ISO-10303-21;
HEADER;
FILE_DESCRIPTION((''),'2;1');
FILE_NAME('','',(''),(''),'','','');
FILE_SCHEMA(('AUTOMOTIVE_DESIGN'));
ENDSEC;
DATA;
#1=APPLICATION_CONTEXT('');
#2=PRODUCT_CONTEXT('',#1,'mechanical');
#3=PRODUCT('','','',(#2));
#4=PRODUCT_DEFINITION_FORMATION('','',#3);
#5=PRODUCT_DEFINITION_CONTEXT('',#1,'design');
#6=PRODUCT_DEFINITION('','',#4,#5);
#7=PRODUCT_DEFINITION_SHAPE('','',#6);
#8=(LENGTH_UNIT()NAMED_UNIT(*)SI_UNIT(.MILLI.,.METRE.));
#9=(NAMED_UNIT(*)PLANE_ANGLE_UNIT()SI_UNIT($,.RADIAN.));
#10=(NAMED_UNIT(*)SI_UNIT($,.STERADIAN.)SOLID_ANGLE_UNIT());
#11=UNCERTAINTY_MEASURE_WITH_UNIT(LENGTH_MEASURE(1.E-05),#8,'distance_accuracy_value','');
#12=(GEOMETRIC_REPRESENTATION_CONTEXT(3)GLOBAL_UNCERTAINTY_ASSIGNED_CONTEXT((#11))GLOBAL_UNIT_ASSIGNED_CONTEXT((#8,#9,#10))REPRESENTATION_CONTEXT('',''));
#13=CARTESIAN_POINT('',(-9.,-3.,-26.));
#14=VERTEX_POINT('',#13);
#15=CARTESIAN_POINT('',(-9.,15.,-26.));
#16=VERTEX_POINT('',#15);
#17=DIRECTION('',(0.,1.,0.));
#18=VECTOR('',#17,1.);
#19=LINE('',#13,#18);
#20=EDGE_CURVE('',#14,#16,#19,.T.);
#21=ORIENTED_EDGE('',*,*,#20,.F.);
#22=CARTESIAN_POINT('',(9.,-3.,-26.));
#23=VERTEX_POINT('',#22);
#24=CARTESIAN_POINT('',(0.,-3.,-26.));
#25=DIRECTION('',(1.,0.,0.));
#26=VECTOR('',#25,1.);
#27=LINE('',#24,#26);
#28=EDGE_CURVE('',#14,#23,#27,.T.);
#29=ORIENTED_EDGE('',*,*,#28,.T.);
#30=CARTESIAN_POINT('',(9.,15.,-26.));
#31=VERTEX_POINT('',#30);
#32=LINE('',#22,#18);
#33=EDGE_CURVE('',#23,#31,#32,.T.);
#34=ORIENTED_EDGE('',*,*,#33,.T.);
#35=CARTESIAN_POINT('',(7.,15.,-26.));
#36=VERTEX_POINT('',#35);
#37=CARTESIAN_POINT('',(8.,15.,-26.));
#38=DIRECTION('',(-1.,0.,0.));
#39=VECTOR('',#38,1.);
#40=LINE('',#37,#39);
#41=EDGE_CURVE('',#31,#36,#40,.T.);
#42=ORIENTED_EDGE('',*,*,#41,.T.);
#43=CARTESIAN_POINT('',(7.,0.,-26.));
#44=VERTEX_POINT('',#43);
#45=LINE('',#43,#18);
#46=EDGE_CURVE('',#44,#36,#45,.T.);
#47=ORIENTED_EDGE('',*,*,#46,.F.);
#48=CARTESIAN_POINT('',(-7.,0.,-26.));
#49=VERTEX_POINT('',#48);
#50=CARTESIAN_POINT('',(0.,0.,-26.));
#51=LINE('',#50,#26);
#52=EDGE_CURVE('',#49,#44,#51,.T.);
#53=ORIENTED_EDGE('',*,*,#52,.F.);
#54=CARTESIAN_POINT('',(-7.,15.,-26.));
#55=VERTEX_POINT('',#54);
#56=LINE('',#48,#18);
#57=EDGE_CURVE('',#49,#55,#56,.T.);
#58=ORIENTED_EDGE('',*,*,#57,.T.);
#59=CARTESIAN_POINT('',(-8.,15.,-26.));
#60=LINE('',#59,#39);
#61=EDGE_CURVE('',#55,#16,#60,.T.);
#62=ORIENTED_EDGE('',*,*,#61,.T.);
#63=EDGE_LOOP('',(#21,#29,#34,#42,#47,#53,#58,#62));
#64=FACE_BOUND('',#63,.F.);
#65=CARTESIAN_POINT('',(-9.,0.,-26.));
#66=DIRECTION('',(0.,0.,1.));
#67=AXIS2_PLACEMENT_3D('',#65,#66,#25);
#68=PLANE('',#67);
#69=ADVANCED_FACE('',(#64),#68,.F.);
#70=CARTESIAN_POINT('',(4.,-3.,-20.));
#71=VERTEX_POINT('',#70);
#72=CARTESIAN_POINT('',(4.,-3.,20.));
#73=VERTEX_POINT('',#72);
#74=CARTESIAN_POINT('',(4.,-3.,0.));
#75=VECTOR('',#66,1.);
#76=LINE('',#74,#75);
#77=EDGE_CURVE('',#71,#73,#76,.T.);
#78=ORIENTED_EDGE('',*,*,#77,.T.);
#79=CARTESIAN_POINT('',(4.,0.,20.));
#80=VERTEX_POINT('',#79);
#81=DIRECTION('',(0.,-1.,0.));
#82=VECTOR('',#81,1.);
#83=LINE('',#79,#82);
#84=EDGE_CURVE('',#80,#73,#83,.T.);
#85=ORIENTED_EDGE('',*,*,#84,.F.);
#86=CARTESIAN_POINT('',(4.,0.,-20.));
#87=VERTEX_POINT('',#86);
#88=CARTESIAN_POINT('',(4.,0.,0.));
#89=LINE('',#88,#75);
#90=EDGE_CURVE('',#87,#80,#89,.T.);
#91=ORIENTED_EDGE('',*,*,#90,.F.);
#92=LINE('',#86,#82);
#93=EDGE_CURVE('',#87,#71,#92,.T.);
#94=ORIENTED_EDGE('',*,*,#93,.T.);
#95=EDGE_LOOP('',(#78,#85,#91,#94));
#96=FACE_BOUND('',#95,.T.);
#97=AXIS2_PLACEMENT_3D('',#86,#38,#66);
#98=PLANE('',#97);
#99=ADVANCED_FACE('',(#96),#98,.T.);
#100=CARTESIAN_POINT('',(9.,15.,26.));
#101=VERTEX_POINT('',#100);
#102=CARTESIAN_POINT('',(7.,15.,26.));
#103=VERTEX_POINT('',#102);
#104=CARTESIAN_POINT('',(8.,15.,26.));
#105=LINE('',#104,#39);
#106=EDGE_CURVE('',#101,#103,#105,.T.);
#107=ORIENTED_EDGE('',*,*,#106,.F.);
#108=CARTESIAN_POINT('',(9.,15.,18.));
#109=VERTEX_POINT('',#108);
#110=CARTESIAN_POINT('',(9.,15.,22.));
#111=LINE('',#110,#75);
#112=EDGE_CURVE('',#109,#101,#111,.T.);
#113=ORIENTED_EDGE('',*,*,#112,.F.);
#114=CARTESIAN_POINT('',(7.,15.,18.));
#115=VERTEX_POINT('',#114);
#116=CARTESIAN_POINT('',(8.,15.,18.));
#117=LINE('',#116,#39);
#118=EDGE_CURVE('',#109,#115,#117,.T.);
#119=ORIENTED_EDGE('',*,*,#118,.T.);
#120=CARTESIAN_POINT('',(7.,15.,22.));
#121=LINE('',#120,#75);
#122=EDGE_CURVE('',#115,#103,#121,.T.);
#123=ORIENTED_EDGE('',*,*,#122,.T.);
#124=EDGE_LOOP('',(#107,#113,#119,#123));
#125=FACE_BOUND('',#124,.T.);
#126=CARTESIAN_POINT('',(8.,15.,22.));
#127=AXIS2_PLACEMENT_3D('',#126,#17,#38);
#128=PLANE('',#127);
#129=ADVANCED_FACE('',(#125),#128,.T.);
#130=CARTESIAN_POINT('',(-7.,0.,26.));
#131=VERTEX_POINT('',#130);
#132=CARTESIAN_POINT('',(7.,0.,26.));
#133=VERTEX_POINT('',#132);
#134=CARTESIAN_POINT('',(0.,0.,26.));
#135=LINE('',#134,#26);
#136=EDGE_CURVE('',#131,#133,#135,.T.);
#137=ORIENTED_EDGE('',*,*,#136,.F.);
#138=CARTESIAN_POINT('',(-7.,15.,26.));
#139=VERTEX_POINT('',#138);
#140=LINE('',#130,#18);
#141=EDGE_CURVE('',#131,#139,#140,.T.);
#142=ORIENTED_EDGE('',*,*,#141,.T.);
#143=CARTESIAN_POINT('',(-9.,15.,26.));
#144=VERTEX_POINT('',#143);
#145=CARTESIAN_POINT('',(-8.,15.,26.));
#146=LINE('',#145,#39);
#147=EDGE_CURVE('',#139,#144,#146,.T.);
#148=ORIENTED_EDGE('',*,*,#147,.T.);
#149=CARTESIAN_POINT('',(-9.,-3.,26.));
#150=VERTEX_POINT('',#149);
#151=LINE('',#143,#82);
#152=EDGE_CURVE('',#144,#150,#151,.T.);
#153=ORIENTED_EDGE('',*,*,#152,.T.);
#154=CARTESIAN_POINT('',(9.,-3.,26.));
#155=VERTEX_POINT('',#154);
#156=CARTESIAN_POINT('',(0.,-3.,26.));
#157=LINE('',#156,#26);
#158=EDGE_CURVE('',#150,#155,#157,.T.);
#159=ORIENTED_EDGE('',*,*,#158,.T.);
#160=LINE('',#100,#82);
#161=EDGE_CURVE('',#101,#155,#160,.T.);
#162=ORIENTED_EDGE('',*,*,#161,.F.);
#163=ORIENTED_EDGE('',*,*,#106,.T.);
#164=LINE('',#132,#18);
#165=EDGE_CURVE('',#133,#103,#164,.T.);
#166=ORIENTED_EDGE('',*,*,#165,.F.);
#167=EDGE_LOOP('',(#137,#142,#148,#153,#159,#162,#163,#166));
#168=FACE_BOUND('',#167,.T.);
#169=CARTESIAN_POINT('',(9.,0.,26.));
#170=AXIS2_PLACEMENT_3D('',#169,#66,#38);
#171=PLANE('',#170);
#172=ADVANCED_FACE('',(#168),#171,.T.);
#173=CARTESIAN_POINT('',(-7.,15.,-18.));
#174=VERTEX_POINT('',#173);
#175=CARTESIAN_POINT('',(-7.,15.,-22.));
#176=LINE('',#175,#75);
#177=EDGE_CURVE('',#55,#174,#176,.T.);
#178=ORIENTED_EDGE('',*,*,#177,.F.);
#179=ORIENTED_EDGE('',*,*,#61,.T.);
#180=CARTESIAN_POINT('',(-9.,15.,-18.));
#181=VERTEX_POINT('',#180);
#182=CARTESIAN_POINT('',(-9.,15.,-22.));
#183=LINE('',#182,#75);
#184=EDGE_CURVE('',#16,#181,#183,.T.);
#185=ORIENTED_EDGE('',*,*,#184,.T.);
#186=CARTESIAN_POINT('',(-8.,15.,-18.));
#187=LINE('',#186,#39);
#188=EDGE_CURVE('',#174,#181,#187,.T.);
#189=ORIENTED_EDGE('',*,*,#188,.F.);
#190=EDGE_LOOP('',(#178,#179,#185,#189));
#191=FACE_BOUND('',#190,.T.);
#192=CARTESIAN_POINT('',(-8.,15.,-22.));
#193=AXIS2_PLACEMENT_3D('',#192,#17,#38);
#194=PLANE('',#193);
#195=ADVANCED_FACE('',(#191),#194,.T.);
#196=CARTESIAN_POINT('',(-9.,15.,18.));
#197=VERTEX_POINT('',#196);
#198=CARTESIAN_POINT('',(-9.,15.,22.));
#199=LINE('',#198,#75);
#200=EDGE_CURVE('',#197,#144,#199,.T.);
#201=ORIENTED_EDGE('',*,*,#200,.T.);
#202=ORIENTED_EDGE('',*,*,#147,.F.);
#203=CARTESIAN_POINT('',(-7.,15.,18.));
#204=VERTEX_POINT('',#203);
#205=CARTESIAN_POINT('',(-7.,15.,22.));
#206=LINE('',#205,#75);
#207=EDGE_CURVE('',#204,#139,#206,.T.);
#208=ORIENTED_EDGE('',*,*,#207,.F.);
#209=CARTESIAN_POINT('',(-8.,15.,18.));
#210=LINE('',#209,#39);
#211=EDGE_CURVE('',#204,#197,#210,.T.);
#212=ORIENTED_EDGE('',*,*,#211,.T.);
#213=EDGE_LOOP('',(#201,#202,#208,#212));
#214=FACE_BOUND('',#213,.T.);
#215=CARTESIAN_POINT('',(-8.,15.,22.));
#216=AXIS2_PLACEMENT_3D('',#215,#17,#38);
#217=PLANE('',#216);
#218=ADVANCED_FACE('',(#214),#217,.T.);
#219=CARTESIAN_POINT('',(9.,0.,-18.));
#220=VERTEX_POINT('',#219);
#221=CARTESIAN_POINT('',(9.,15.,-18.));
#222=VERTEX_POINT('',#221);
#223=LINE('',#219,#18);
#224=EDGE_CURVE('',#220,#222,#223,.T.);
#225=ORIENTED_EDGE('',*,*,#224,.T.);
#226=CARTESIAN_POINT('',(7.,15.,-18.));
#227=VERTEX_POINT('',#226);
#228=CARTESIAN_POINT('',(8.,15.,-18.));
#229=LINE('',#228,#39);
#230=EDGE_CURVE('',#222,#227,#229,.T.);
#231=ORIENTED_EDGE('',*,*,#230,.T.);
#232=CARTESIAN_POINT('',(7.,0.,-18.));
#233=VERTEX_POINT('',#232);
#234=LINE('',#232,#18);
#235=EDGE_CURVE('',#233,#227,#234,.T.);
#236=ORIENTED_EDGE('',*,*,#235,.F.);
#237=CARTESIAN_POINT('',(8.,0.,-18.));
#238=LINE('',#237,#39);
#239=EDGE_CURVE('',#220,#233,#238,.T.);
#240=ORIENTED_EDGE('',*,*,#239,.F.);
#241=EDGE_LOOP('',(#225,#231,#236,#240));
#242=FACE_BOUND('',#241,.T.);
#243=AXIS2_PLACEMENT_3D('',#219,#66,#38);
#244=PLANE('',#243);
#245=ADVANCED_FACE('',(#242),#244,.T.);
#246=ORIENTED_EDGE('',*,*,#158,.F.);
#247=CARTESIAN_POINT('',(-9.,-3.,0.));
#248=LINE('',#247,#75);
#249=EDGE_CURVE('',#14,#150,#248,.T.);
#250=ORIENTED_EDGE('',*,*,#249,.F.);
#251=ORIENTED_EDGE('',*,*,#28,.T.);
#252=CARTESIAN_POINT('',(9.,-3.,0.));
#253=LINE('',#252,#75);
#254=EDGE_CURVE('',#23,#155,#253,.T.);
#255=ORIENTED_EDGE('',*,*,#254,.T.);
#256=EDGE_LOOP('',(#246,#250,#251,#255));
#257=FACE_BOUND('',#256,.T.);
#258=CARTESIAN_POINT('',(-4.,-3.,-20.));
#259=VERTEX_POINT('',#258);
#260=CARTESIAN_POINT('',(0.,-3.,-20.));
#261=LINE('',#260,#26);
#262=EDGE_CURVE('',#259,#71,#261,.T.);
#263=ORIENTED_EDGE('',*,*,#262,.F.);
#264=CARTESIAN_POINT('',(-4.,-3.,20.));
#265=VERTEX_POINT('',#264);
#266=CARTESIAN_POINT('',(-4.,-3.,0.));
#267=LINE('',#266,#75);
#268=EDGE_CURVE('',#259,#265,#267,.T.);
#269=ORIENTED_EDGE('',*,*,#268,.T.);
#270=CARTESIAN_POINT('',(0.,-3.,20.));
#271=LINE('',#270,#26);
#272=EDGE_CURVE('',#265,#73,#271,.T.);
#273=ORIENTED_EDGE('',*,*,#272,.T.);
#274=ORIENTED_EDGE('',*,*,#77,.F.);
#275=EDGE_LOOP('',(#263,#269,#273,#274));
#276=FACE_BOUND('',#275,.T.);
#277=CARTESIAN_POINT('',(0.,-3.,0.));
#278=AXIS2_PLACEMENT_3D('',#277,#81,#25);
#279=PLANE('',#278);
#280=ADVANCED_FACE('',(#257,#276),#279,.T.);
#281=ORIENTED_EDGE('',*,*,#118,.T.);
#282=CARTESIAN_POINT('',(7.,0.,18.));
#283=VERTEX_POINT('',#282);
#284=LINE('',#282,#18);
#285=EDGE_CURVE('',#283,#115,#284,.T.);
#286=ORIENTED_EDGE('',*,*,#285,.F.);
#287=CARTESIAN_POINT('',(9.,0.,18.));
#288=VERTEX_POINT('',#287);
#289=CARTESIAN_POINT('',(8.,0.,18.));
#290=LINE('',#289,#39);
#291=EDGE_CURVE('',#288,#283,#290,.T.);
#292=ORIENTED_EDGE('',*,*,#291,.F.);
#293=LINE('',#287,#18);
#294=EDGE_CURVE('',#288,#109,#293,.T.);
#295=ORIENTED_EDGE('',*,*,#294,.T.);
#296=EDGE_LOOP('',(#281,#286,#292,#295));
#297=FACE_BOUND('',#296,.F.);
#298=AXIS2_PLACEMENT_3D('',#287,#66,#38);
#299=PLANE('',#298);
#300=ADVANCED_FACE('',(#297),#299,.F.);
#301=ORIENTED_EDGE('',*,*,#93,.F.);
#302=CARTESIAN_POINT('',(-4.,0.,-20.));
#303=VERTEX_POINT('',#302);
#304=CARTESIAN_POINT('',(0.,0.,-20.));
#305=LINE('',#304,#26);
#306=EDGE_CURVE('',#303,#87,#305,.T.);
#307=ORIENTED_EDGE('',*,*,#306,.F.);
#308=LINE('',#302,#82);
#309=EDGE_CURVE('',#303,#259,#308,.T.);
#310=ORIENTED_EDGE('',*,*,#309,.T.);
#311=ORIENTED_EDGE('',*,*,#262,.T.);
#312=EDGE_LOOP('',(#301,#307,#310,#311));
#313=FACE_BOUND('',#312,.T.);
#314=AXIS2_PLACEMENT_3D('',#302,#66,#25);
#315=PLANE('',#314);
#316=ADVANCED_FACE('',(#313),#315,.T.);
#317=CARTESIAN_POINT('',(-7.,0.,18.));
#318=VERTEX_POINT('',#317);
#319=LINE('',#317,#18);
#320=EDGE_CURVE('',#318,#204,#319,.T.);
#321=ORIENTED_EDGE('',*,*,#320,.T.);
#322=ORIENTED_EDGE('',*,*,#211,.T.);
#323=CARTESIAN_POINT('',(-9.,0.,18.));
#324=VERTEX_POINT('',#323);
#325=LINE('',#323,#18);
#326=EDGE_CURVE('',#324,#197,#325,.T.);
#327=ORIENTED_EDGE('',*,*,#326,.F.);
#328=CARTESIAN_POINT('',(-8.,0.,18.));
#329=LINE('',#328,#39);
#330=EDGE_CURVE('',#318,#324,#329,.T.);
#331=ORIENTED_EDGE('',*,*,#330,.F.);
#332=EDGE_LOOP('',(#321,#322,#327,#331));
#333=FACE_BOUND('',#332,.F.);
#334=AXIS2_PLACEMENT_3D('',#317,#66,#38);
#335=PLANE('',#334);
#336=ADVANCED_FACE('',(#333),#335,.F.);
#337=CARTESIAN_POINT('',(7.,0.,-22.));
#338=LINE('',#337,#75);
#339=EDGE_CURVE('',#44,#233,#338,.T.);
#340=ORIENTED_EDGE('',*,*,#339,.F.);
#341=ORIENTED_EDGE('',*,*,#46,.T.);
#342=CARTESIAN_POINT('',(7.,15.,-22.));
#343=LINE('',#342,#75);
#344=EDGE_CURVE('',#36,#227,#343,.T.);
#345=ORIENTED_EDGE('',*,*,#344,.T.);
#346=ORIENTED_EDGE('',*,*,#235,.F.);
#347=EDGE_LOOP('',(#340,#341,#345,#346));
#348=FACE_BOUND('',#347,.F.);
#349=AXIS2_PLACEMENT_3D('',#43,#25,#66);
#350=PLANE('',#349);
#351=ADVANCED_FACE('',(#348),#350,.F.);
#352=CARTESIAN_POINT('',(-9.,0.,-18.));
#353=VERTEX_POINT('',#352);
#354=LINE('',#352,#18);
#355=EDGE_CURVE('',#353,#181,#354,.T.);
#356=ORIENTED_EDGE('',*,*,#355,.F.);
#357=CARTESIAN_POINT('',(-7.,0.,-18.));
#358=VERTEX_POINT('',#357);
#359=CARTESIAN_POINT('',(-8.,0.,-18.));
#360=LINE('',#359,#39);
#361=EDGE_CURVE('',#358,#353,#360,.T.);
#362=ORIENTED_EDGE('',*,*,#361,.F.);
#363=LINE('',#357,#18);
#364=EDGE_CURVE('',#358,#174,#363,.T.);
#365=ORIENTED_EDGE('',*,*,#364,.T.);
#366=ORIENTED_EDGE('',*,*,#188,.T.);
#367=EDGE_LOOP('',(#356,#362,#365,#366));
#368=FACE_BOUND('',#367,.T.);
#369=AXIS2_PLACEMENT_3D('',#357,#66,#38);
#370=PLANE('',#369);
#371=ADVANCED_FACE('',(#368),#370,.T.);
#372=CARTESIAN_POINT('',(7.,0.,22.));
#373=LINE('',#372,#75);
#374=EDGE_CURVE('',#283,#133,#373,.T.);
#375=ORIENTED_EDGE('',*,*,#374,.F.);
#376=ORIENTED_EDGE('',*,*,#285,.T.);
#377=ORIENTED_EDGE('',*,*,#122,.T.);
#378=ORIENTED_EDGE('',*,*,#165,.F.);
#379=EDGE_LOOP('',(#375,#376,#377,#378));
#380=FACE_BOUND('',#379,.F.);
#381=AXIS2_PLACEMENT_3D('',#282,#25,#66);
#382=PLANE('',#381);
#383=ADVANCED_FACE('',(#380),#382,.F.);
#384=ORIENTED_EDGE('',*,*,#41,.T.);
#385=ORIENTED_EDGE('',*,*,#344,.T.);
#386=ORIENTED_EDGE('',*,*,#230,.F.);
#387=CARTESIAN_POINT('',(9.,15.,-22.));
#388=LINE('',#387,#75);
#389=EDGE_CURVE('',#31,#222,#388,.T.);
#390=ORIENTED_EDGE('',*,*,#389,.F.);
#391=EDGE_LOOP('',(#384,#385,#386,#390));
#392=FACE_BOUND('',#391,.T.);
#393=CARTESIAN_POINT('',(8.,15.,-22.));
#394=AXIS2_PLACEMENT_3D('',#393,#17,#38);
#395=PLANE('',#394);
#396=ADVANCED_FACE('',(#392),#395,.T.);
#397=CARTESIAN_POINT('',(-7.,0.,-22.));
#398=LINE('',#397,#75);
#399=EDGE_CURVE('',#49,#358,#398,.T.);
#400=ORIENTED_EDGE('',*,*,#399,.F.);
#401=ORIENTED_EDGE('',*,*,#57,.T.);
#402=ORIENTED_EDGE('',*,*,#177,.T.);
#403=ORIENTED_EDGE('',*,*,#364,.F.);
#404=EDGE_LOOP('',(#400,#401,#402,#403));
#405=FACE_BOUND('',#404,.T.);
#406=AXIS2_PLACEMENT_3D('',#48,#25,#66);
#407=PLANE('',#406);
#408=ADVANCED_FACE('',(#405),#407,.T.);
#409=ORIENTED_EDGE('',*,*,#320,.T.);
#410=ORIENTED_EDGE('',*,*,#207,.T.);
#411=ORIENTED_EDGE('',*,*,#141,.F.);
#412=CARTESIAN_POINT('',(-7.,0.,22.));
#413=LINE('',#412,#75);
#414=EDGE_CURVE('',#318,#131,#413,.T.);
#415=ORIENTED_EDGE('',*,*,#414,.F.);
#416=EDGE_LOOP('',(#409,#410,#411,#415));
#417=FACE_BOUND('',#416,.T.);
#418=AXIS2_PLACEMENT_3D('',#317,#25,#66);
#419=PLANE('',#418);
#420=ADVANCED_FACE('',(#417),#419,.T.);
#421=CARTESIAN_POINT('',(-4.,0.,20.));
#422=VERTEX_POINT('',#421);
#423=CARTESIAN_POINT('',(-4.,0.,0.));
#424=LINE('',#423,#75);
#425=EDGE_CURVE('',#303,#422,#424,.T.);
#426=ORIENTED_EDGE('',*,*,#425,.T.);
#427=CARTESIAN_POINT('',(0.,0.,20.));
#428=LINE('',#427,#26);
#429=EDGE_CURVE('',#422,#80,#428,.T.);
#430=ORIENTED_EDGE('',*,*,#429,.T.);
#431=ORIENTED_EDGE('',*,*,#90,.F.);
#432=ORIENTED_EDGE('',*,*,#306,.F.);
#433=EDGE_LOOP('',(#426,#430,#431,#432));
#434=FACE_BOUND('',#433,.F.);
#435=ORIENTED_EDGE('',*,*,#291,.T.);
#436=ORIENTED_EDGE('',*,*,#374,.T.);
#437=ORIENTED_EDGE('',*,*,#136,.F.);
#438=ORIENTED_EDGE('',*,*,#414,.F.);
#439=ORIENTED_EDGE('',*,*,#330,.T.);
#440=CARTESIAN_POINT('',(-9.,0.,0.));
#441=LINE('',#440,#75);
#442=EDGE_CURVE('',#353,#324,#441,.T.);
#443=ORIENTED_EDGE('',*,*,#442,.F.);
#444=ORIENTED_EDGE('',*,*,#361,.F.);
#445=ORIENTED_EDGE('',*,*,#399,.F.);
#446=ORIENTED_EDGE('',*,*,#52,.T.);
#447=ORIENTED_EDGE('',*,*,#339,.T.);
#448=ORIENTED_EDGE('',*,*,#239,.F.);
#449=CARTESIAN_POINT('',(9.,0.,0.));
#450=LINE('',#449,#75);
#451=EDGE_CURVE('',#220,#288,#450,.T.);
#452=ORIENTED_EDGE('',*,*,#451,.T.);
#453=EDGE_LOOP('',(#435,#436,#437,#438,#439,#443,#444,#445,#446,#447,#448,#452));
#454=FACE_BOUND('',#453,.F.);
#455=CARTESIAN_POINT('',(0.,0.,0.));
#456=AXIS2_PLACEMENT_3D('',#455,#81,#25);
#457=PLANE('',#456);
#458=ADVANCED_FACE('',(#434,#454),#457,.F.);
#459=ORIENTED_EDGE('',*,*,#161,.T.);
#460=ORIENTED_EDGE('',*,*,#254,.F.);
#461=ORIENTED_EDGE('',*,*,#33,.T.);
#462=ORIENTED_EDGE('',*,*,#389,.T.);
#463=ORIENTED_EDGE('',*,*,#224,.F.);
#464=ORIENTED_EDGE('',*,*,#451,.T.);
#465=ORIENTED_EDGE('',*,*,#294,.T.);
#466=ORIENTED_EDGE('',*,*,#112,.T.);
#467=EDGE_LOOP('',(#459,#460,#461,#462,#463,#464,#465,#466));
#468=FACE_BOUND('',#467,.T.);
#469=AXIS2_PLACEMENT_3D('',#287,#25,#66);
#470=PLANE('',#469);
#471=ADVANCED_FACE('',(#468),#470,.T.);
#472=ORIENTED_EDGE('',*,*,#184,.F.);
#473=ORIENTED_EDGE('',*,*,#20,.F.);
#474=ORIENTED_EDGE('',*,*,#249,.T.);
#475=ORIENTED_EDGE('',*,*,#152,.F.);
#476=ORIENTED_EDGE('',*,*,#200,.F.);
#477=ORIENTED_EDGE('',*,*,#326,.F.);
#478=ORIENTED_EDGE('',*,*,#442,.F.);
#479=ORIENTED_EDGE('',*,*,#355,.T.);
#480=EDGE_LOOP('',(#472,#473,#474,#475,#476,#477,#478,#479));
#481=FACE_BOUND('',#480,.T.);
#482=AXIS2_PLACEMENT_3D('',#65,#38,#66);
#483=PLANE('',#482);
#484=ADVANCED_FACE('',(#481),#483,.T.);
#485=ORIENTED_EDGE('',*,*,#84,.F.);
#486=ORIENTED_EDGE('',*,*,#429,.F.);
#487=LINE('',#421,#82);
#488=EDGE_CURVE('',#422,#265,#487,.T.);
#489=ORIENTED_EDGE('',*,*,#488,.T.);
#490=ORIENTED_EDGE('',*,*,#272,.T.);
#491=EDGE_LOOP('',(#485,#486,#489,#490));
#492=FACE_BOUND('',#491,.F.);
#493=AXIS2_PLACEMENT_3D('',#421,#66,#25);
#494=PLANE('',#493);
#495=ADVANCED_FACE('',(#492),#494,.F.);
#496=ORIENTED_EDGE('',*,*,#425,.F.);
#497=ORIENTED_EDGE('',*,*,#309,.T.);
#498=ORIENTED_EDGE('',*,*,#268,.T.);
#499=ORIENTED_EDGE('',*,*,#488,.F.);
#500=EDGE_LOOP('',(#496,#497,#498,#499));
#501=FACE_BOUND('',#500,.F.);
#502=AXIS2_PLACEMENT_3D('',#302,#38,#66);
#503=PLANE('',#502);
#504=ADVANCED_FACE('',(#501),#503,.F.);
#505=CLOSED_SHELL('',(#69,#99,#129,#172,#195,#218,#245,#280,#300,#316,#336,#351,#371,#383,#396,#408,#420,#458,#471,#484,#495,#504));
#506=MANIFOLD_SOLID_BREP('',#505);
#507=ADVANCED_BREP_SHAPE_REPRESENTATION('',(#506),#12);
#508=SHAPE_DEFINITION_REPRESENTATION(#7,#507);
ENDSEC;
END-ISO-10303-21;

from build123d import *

# Parameters (mm, degrees)
F0_W     = 18
F0_H     = 52
F0_W_2   = 8
F0_H_2   = 40
F1_DEPTH = 3
F2_W     = 2
F2_H     = 8
F3_DEPTH = 15


with BuildPart() as f1:
    # F0 (on Front) → F1 (new body)
    with BuildSketch(Plane.XZ):
        Rectangle(F0_W, F0_H)
        Rectangle(F0_W_2, F0_H_2, mode=Mode.SUBTRACT)
    extrude(amount=F1_DEPTH)

    # F2 (on face) → F3 (join)
    with BuildSketch(Plane(origin=(0, 0, 0), x_dir=(-1, 0, 0), z_dir=(0, 1, 0))):
        with Locations((-8, 22)):
            Rectangle(F2_W, F2_H)
        with Locations((8, 22)):
            Rectangle(F2_W, F2_H)
        with Locations((8, -22)):
            Rectangle(F2_W, F2_H)
        with Locations((-8, -22)):
            Rectangle(F2_W, F2_H)
    extrude(amount=F3_DEPTH)


solid = f1.part
